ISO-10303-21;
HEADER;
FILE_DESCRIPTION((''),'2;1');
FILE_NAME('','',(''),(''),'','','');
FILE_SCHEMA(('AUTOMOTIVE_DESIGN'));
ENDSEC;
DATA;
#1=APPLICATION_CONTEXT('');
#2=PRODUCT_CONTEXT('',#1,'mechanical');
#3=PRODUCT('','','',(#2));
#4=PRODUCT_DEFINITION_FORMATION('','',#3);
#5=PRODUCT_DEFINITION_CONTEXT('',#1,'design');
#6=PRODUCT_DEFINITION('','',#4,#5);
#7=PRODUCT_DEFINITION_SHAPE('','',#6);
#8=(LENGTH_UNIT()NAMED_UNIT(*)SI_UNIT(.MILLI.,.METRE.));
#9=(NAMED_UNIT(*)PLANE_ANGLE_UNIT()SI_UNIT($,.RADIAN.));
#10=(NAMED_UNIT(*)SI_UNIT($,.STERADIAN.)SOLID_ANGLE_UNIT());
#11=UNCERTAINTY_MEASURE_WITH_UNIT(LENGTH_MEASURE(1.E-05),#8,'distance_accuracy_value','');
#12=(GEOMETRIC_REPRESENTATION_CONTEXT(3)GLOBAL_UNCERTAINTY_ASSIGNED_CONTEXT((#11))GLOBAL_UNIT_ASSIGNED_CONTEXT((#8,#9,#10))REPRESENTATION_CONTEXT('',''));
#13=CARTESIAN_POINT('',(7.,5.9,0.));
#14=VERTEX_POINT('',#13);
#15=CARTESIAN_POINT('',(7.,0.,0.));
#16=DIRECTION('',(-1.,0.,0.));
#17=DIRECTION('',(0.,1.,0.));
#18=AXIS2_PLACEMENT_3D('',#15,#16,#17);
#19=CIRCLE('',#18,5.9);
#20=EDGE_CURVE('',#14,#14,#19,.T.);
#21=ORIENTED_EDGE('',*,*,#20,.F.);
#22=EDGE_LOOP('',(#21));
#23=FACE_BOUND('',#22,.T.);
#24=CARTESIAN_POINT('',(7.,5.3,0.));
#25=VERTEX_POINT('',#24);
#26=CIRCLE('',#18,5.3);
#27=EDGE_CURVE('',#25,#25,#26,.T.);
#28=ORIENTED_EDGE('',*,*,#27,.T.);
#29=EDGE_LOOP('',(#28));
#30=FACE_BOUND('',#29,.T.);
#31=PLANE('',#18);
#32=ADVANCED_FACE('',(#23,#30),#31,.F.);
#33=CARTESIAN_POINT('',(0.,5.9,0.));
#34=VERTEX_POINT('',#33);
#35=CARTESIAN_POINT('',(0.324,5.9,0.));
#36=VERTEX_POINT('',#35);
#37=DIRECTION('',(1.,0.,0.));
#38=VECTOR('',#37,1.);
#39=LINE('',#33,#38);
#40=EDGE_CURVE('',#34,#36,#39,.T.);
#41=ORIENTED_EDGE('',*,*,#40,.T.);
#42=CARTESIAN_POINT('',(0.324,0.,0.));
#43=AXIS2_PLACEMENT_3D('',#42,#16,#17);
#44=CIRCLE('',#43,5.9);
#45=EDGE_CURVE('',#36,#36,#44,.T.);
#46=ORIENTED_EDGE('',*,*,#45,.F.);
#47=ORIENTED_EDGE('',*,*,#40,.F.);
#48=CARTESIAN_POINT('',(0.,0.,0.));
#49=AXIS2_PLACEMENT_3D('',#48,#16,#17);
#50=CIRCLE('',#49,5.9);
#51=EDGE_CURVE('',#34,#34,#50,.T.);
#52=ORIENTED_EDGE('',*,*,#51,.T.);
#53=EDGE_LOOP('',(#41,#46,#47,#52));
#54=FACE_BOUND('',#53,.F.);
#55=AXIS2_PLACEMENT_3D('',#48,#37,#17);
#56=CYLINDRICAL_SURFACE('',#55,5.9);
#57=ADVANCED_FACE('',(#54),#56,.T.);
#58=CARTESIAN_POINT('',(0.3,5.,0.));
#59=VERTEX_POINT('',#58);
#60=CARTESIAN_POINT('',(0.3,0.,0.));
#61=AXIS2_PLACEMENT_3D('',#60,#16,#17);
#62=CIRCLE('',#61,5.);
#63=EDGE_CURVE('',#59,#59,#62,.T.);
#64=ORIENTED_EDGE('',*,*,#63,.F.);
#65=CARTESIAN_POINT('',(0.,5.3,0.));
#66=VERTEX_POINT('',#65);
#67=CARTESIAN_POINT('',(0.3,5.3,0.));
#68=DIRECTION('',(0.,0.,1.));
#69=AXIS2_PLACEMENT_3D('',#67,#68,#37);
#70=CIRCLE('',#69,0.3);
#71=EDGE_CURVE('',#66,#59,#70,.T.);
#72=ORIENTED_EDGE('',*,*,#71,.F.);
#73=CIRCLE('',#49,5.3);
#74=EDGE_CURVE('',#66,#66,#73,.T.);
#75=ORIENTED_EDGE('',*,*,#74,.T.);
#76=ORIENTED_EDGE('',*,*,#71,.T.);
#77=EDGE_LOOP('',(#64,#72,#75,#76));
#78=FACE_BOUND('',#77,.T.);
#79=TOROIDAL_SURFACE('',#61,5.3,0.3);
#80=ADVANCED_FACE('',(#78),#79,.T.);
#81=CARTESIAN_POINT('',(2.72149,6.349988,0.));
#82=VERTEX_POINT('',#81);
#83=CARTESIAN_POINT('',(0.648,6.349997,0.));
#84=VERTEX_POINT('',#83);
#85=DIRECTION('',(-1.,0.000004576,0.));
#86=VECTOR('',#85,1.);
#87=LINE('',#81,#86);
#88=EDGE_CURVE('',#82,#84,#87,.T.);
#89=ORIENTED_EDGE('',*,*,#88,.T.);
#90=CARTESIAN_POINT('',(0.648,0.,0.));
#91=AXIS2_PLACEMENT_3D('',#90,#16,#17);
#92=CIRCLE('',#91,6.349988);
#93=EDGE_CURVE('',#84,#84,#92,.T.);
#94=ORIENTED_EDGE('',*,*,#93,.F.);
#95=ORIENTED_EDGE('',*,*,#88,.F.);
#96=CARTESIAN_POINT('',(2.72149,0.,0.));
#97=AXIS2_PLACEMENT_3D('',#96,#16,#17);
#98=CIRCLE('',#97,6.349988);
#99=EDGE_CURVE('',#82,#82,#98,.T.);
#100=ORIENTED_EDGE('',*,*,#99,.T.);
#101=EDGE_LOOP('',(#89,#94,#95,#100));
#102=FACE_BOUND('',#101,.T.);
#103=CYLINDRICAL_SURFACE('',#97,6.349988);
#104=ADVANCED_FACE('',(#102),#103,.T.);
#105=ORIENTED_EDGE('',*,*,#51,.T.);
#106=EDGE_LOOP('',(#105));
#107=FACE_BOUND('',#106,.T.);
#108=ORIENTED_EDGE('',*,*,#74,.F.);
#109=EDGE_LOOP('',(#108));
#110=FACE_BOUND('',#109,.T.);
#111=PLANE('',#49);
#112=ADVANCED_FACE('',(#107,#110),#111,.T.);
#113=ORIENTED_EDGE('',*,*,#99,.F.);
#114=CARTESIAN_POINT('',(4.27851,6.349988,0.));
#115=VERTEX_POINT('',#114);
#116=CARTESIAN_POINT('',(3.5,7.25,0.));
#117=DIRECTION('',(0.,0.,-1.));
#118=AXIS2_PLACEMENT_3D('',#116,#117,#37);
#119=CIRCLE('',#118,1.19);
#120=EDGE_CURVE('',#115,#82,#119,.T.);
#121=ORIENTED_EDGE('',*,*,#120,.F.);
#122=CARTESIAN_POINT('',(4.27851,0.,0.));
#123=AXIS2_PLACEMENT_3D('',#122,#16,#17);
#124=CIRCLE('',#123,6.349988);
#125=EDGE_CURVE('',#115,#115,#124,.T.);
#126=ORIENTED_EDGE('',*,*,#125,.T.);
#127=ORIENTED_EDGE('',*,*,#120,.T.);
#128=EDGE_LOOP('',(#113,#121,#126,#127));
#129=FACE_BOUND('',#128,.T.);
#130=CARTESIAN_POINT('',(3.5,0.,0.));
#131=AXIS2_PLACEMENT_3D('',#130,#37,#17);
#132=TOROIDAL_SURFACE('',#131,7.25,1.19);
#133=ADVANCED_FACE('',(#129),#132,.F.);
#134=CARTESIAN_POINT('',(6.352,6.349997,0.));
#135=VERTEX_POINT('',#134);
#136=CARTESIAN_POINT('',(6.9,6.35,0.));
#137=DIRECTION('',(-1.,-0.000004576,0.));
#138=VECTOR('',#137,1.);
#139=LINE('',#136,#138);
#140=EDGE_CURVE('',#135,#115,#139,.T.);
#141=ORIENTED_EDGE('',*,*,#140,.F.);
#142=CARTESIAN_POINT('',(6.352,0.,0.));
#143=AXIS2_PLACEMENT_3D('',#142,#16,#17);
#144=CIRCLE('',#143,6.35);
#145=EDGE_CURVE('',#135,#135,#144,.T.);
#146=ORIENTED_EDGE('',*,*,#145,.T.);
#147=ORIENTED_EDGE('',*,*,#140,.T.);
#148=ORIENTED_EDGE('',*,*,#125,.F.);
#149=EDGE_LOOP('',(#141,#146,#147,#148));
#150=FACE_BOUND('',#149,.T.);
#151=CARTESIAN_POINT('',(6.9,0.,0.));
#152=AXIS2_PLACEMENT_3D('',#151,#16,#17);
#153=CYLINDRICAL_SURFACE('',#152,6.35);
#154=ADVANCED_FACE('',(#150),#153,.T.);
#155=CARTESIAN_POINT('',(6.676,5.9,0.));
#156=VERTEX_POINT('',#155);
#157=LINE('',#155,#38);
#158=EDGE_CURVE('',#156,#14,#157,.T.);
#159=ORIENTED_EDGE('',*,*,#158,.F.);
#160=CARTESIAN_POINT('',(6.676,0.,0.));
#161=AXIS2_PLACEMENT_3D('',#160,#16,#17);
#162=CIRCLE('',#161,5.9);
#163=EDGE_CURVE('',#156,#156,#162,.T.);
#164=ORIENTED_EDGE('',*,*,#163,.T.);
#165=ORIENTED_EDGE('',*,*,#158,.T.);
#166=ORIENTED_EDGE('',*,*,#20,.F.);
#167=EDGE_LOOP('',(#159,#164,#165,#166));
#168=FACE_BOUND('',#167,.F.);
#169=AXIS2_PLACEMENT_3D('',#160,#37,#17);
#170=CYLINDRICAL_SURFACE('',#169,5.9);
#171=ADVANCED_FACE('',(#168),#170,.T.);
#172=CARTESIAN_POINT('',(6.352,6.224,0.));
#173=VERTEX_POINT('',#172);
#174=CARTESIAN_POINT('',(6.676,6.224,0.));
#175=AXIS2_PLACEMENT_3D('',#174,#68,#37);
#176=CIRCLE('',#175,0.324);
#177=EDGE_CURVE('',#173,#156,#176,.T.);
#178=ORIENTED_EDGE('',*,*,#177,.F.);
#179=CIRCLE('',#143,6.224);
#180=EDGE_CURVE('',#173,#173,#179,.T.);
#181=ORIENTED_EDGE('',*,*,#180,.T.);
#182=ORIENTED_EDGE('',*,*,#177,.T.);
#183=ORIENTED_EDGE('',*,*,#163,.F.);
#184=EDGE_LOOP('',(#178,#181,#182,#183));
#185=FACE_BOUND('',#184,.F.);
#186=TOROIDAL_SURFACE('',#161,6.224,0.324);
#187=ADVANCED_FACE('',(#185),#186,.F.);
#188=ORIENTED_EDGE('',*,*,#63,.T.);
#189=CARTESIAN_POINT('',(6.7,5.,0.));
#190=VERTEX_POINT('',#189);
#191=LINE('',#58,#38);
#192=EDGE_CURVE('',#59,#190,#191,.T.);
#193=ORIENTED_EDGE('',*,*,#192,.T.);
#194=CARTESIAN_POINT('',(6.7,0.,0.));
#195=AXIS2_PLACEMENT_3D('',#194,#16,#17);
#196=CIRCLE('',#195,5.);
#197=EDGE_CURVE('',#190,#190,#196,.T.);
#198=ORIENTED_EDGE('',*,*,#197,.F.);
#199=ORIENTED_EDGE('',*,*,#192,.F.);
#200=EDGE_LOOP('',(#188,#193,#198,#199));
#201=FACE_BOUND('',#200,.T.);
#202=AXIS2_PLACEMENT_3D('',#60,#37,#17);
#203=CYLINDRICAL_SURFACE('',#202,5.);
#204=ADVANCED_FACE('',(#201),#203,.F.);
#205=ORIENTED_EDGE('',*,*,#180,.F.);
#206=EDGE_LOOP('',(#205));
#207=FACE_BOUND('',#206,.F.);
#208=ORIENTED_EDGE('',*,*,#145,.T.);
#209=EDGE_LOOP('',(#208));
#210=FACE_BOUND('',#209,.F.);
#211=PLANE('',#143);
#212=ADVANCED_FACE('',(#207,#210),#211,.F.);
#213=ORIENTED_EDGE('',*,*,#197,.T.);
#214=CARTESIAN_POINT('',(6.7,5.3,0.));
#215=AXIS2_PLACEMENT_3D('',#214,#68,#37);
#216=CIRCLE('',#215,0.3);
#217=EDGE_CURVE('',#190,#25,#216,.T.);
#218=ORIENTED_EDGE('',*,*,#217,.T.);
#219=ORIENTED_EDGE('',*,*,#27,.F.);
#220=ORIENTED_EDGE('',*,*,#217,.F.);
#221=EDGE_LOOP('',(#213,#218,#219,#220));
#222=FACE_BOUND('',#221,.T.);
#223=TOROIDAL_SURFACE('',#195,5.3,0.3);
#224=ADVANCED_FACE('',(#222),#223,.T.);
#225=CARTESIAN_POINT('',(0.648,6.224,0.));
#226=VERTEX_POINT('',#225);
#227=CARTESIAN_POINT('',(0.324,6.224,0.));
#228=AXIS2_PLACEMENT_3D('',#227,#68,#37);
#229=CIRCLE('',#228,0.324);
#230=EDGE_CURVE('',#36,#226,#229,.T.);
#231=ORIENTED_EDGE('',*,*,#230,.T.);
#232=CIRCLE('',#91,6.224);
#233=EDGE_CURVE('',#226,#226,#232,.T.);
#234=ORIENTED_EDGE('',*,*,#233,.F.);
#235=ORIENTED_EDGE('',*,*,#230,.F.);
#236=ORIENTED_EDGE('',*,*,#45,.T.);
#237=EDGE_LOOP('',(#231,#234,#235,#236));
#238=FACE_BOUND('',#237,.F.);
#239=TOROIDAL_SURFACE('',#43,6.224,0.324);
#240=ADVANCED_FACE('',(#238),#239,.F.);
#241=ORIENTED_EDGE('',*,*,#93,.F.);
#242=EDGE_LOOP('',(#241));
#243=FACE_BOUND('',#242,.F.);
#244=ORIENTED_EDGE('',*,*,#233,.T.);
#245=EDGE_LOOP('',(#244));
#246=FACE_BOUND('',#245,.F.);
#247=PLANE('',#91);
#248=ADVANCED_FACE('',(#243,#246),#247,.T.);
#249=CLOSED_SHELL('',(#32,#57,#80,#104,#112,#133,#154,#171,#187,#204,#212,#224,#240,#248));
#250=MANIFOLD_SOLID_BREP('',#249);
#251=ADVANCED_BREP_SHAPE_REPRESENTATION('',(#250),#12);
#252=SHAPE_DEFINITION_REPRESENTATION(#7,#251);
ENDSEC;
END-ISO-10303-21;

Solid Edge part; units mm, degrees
sketch "Sketch1" plane through (0, 0, 0) normal (0, 0, 1) x (1, 0, 0)
  arc A0 (0, 5.3) -> (0.3, 5) centre (0.3, 5.3) ccw
  line L0 (0.3, 5) -> (6.7, 5)
  arc A1 (6.7, 5) -> (7, 5.3) centre (6.7, 5.3) ccw
  line L1 (7, 5.3) -> (7, 6.25)
  arc A2 (7, 6.25) -> (6.9, 6.35) centre (6.9, 6.25) ccw
  line L2 (6.9, 6.35) -> (4.2785, 6.35)
  arc A3 (4.2785, 6.35) -> (2.7215, 6.35) centre (3.5, 7.25) cw
  line L3 (2.7215, 6.35) -> (0.1, 6.35)
  arc A4 (0.1, 6.35) -> (0, 6.25) centre (0.1, 6.25) ccw
  line L4 (0, 6.25) -> (0, 5.3)
revolve "RevolvedProtrusion1" add sketch "Sketch1" angle 360 about axis through (6.7, 0, 0) along (-1, 0, 0)
sketch "Sketch2" plane through (0, 0, 0) normal (0, 0, 1) x (1, 0, 0)
  line L0 (0, 5.9) -> (0.324, 5.9)
  arc A0 (0.324, 5.9) -> (0.648, 6.224) centre (0.324, 6.224) ccw
  line L1 (0.648, 6.224) -> (0.648, 6.8)
  line L2 (0.648, 6.8) -> (6.352, 6.8)
  line L3 (6.352, 6.8) -> (6.352, 6.224)
  arc A1 (6.352, 6.224) -> (6.676, 5.9) centre (6.676, 6.224) ccw
  line L4 (6.676, 5.9) -> (7, 5.9)
  line L5 (7, 5.9) -> (7, 7.25)
  line L6 (7, 7.25) -> (0, 7.25)
  line L7 (0, 7.25) -> (0, 5.9)
revolve "RevolvedCutout1" cut sketch "Sketch2" angle 360 about axis through (7, 0, 0) along (-1, 0, 0)
